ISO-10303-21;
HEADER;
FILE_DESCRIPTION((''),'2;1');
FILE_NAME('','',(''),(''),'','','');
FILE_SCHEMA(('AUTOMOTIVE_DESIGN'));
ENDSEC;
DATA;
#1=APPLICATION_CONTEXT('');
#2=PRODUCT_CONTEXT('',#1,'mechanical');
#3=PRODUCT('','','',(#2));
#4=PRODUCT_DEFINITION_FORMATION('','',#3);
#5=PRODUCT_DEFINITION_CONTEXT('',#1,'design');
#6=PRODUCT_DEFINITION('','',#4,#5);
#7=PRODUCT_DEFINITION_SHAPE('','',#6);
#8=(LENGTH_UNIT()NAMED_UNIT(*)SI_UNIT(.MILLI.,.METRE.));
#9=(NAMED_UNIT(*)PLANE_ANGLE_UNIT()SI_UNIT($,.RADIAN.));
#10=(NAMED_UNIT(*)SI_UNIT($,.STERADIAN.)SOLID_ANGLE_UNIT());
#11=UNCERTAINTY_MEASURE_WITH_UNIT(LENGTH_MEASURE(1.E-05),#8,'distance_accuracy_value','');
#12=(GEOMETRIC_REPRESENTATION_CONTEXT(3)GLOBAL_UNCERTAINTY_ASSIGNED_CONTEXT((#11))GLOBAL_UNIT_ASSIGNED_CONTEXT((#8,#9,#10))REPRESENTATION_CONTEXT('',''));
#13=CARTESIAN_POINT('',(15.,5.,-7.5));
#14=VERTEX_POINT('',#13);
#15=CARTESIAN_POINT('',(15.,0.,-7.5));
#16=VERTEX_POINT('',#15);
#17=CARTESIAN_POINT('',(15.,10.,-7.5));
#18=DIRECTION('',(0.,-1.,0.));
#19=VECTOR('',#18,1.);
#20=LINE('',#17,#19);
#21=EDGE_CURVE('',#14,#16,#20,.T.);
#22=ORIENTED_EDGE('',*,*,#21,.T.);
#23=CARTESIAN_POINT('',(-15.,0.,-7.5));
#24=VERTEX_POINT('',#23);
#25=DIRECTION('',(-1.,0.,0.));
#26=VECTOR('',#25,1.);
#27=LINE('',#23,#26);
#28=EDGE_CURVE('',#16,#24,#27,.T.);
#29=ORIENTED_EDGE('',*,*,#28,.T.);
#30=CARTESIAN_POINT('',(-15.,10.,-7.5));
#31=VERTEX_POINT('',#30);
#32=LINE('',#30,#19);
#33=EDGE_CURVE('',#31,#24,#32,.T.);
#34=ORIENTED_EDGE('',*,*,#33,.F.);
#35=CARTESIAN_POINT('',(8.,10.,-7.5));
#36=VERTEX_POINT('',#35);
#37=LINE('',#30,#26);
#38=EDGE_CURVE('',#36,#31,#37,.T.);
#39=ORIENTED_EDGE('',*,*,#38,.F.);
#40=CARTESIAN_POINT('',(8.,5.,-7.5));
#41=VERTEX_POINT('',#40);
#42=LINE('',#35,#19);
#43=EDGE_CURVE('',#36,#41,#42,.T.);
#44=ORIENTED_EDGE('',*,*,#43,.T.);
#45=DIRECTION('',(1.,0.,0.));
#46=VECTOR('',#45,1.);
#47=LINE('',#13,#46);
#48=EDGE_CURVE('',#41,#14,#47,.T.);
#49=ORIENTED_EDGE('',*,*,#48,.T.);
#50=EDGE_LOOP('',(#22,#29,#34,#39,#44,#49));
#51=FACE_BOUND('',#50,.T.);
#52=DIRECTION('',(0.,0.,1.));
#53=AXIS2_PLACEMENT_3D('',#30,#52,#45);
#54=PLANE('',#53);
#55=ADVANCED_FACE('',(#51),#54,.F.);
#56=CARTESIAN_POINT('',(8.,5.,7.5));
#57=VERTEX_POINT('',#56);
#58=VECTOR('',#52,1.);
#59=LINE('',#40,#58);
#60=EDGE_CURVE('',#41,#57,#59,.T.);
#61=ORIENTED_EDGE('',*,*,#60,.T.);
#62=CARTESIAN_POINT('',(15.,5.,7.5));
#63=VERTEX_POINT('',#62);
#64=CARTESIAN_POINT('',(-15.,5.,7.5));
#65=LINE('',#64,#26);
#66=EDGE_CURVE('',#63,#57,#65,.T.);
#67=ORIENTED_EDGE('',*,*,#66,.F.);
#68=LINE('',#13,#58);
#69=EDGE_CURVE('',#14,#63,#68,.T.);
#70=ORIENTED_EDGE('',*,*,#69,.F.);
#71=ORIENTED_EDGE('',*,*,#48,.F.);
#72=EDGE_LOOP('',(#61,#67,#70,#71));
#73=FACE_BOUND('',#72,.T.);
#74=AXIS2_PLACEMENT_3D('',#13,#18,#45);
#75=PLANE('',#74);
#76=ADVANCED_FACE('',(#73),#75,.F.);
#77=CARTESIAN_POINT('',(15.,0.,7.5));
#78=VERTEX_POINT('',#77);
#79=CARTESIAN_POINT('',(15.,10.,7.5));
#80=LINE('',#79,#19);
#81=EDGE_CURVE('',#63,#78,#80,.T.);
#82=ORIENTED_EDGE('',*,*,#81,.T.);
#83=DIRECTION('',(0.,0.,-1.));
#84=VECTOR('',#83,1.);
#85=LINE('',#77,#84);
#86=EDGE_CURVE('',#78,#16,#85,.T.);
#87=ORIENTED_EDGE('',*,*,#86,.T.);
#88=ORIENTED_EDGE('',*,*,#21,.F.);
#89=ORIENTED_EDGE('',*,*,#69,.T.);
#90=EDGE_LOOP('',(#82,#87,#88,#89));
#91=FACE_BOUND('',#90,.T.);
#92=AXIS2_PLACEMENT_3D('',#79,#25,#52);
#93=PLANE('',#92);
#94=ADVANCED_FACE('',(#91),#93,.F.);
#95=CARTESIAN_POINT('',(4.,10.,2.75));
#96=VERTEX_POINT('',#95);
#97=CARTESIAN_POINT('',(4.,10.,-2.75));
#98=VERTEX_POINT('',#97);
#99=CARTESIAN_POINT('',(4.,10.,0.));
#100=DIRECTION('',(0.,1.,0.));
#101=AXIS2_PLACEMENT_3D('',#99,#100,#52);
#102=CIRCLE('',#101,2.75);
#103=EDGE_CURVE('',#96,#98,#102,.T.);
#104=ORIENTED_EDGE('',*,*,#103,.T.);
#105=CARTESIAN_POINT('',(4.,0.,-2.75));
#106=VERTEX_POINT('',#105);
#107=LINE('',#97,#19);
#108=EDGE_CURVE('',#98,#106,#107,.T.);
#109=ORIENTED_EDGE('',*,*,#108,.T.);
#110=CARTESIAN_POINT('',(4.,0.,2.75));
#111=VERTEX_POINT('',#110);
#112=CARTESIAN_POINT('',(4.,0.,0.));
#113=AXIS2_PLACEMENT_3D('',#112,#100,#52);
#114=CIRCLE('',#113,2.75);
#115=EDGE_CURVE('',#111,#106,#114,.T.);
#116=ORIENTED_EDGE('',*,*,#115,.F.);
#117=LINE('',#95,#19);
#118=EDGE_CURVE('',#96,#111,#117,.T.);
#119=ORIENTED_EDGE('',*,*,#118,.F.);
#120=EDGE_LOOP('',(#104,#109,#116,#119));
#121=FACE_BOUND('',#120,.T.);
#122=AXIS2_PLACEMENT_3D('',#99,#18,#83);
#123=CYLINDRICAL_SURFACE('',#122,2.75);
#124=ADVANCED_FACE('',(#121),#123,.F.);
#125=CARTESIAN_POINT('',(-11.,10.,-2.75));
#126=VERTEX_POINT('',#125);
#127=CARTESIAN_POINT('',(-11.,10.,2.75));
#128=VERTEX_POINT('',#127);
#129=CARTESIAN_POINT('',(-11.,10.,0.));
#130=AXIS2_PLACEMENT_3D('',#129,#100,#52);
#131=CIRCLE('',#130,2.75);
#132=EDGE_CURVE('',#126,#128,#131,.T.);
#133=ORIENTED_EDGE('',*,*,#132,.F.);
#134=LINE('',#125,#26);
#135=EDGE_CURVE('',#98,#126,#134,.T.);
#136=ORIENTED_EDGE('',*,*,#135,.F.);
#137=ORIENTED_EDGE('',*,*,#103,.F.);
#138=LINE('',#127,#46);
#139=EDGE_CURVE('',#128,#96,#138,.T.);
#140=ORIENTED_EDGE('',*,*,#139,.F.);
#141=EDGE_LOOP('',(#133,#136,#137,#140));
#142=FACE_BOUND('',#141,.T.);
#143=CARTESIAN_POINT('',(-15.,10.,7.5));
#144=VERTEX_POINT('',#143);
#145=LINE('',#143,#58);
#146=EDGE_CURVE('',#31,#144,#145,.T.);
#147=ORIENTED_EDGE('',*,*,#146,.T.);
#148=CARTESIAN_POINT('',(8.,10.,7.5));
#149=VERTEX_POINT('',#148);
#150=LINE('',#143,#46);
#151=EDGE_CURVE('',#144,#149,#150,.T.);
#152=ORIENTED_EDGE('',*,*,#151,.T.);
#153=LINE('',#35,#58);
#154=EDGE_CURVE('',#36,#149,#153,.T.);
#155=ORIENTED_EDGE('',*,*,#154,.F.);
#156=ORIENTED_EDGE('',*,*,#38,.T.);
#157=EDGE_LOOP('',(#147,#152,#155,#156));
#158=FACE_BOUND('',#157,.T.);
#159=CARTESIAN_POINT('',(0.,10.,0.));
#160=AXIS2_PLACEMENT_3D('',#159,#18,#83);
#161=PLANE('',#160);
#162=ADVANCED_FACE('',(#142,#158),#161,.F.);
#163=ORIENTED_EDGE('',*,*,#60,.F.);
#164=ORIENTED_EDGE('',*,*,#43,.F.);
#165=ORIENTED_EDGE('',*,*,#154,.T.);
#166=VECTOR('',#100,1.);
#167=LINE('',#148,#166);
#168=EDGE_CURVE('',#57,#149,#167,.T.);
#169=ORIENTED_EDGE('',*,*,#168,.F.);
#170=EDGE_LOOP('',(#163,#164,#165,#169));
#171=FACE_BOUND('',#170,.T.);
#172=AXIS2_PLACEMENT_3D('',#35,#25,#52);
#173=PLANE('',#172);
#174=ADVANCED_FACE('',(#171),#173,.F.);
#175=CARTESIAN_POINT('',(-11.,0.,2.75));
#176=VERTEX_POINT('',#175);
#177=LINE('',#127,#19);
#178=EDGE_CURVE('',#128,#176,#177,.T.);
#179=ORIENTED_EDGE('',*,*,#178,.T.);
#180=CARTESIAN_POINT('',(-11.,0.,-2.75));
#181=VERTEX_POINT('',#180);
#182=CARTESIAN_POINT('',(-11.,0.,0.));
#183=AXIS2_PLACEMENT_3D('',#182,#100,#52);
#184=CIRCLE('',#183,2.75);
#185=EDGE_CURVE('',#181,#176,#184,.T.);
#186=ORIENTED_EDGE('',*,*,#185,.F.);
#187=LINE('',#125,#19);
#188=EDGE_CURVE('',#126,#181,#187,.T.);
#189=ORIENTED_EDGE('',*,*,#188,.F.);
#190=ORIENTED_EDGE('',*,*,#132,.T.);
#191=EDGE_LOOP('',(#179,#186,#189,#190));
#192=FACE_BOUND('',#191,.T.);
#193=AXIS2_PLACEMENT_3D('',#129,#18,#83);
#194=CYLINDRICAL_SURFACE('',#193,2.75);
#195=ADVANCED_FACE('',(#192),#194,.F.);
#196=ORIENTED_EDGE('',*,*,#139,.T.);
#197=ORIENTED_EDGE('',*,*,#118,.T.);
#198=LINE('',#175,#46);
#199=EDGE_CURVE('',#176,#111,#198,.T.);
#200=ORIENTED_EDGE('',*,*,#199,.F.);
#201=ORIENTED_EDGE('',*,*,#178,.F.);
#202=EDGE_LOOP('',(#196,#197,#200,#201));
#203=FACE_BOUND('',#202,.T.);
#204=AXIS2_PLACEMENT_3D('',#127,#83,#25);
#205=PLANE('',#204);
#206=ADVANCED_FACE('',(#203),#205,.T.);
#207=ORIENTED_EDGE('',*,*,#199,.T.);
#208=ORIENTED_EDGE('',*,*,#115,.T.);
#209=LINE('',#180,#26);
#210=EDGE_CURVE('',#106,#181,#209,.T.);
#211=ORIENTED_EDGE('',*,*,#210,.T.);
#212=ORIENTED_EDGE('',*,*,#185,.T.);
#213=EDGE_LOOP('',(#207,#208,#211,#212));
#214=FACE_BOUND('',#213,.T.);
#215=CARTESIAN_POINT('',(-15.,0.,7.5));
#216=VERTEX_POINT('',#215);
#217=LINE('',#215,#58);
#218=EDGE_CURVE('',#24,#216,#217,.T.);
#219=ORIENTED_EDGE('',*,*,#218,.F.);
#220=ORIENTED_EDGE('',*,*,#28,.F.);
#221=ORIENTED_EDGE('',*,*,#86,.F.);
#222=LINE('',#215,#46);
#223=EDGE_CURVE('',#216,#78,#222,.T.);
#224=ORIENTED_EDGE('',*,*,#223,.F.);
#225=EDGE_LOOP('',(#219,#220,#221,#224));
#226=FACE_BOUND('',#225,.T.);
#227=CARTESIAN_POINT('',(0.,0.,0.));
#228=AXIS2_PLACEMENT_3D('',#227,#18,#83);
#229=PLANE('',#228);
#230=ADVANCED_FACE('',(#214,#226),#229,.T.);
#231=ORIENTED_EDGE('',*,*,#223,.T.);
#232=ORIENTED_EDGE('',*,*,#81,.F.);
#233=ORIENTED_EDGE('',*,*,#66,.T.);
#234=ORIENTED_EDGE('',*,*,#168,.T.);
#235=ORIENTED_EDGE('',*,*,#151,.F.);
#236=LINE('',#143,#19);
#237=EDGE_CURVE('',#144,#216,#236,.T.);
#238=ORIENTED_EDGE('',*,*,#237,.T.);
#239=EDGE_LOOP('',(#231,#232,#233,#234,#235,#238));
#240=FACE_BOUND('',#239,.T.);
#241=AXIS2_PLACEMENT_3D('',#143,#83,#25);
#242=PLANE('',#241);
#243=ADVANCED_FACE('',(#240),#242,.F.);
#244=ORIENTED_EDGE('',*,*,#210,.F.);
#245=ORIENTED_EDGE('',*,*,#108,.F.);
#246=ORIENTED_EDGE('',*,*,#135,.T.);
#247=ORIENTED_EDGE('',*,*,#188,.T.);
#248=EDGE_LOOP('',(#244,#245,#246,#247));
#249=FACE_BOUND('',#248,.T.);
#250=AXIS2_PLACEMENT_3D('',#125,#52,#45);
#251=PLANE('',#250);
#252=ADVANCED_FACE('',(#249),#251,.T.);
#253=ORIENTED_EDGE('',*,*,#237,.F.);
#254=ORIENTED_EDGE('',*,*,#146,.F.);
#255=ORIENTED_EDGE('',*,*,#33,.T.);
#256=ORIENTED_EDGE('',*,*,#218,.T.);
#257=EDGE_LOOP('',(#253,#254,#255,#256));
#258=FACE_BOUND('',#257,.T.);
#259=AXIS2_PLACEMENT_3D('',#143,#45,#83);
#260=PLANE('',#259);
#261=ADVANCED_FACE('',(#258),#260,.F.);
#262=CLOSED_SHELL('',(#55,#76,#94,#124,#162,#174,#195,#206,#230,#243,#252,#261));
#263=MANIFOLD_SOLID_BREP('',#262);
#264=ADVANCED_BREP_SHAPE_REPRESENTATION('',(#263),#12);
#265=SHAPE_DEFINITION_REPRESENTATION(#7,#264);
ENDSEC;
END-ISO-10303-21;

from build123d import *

# Parameters (mm, degrees)
SKETCH1_W               = 30
SKETCH1_H               = 15
BOSS_EXTRUDE1_DEPTH     = 10
CUT_EXTRUDE1_DEPTH      = 24.452078799
CUT_EXTRUDE1_DEPTH_BACK = 24.452078799
SKETCH2_W               = 7
SKETCH2_H               = 5


with BuildPart() as part:
    # Sketch1 → Boss-Extrude1 (new body)
    with BuildSketch(Plane(origin=(0, 0, 0), x_dir=(1, 0, 0), z_dir=(0, 1, 0))):
        Rectangle(SKETCH1_W, SKETCH1_H)
        with BuildLine():
            Line((-11, 2.75), (4, 2.75))
            ThreePointArc((4, 2.75), (6.75, 0), (4, -2.75))
            Line((4, -2.75), (-11, -2.75))
            ThreePointArc((-11, -2.75), (-13.75, 0), (-11, 2.75))
        make_face(mode=Mode.SUBTRACT)
    extrude(amount=BOSS_EXTRUDE1_DEPTH)

    # Sketch2 → Cut-Extrude1 (cut, two sides: drawn at the far end of the back side and taken through both)
    with BuildSketch(Plane.XY.offset(7.5).offset(-CUT_EXTRUDE1_DEPTH_BACK)):
        with Locations((11.5, 7.5)):
            Rectangle(SKETCH2_W, SKETCH2_H)
    extrude(amount=CUT_EXTRUDE1_DEPTH + CUT_EXTRUDE1_DEPTH_BACK, mode=Mode.SUBTRACT)


solid = part.part
